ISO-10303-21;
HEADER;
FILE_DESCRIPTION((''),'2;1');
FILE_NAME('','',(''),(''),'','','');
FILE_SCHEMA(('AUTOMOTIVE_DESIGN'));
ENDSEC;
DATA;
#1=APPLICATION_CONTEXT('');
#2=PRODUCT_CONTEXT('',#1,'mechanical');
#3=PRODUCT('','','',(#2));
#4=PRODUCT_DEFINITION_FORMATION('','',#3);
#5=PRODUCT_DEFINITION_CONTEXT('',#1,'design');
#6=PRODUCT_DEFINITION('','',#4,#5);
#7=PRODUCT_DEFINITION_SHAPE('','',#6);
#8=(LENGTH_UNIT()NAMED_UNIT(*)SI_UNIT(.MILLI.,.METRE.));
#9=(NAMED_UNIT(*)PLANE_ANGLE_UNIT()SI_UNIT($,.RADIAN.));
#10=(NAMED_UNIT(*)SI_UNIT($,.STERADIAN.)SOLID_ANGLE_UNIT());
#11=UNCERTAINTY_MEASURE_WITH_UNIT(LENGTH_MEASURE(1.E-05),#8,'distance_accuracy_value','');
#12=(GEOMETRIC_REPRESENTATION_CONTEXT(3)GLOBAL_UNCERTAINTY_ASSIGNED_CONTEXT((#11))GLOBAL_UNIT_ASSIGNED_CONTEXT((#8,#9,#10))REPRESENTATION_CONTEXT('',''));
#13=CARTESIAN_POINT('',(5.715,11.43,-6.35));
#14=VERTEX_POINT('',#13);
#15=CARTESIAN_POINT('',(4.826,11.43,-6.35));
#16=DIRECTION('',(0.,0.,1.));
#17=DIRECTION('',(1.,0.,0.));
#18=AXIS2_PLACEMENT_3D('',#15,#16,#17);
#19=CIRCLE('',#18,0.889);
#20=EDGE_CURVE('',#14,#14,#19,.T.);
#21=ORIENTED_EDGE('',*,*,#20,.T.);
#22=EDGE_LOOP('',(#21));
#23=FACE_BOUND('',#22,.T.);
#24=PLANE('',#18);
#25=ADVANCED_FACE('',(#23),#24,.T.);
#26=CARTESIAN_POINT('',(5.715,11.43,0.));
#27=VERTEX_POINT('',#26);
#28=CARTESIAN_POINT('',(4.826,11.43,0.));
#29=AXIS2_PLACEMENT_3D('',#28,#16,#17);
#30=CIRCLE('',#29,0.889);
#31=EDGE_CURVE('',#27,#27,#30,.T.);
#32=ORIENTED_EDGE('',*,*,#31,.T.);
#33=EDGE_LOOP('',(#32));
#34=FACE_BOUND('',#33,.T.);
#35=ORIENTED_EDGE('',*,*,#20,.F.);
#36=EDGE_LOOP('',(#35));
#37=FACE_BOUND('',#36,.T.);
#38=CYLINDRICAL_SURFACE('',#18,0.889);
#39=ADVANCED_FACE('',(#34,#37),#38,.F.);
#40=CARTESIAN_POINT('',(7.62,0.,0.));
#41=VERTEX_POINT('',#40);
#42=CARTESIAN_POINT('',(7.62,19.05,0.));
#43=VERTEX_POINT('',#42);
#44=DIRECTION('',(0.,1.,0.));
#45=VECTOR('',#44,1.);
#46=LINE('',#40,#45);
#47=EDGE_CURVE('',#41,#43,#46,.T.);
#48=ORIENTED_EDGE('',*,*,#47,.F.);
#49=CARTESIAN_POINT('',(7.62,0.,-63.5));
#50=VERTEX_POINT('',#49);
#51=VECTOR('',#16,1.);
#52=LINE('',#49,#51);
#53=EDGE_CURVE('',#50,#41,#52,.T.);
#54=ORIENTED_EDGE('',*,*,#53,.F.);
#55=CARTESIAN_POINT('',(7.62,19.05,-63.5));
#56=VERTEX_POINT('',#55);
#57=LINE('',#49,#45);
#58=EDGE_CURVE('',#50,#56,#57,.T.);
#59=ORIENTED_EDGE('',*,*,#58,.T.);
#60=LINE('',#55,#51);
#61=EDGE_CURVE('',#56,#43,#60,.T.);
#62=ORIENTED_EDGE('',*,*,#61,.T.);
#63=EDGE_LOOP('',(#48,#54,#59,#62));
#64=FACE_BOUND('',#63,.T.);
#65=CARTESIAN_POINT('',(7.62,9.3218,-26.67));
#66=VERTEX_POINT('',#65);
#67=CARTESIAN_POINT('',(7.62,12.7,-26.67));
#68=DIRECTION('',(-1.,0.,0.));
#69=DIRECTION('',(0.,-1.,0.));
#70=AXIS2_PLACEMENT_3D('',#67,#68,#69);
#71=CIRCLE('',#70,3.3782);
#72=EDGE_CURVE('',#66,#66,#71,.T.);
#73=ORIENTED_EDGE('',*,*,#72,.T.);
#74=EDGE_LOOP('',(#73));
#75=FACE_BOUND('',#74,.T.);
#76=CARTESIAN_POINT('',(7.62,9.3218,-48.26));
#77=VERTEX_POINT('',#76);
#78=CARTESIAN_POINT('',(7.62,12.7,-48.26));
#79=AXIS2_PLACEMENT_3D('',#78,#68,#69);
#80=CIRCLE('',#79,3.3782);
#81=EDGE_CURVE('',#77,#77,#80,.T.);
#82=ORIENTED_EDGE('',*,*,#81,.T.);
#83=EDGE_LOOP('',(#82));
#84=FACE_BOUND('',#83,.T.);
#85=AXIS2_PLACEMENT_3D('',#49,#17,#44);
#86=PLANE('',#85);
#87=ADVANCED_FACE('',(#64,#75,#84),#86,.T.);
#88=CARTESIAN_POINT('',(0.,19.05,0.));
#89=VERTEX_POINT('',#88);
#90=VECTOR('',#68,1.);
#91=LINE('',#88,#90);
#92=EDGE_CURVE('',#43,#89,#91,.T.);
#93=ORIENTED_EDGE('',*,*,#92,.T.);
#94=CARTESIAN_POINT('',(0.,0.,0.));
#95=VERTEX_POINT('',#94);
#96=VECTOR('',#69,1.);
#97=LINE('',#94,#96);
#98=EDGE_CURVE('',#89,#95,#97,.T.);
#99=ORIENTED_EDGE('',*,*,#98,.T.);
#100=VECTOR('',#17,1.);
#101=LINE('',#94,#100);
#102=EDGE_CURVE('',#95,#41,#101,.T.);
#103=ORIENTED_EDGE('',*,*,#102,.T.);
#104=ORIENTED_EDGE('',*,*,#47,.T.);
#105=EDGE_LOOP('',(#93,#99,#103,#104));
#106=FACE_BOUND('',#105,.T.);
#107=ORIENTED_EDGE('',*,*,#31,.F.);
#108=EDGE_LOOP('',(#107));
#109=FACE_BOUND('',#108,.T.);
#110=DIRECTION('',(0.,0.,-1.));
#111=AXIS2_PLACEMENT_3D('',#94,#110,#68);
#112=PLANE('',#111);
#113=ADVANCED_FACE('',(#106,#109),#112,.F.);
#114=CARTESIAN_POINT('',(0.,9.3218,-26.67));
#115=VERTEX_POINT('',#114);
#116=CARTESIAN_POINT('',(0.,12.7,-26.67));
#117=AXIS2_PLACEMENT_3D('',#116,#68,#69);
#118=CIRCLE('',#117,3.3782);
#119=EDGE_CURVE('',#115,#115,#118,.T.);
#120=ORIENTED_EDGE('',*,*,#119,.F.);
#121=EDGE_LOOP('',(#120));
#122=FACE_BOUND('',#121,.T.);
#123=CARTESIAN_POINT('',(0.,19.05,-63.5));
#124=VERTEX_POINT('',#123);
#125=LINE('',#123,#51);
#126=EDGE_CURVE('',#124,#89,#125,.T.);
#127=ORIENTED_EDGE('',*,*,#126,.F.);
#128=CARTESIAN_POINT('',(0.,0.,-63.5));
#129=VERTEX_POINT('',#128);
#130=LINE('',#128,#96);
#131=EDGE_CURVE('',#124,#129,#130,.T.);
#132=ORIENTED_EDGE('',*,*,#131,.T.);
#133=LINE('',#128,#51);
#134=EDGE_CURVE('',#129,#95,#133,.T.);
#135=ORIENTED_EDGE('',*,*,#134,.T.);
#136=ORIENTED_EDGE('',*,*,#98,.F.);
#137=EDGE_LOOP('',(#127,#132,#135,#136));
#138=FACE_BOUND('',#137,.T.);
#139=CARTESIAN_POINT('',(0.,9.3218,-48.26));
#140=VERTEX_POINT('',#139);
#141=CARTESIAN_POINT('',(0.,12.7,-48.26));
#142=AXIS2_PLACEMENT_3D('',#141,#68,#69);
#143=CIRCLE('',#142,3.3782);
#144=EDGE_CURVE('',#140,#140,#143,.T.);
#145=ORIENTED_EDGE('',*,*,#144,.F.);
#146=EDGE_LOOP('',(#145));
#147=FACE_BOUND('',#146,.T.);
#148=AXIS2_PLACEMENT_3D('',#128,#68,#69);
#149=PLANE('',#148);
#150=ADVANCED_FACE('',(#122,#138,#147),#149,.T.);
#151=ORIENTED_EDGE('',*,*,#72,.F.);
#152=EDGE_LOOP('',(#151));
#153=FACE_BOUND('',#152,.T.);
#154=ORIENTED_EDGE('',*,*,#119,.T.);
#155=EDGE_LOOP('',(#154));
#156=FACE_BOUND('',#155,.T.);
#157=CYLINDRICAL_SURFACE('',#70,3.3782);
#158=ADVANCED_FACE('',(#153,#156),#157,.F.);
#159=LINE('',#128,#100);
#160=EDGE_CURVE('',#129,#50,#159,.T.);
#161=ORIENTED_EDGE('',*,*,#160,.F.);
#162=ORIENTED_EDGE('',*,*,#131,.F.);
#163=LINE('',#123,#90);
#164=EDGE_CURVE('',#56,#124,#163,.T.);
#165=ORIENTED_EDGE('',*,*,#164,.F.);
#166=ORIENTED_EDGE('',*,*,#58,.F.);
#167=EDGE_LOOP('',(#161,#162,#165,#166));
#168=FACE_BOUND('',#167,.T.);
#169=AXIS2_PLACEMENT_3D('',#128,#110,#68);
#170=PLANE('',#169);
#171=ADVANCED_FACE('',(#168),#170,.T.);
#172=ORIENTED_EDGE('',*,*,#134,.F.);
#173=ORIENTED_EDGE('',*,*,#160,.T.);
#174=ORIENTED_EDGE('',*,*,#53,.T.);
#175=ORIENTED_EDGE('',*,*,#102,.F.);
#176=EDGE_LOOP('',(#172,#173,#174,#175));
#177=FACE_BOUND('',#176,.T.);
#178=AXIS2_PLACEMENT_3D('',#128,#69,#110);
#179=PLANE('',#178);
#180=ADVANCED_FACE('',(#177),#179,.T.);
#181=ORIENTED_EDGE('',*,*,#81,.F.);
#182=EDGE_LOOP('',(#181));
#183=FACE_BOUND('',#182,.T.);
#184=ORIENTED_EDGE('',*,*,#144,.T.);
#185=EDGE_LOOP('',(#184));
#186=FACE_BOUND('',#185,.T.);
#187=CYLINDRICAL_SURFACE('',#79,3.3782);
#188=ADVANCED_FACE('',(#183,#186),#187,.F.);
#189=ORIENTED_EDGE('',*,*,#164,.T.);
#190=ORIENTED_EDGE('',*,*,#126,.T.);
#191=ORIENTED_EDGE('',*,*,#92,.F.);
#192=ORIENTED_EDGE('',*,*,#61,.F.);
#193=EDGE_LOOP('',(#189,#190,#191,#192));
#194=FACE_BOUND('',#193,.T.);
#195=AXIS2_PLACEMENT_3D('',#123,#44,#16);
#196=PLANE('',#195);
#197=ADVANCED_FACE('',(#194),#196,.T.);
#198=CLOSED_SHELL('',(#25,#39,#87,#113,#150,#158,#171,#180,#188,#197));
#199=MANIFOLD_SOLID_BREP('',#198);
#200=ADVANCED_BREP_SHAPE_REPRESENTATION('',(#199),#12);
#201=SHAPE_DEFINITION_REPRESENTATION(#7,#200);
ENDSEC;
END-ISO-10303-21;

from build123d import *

# Parameters (mm, degrees)
SKETCH1_W           = 7.62
SKETCH1_H           = 19.05
BOSS_EXTRUDE1_DEPTH = 63.5
SKETCH2_R           = 0.889
CUT_EXTRUDE1_DEPTH  = 6.35
SKETCH3_R           = 3.3782
CUT_EXTRUDE2_DEPTH  = 8.62
SKETCH4_R           = 3.3782
CUT_EXTRUDE3_DEPTH  = 8.62


with BuildPart() as part:
    # Sketch1 → Boss-Extrude1 (new body)
    with BuildSketch(Plane.XY):
        with Locations((3.81, 9.525)):
            Rectangle(SKETCH1_W, SKETCH1_H)
    extrude(amount=-BOSS_EXTRUDE1_DEPTH)

    # Sketch2 → Cut-Extrude1 (cut)
    with BuildSketch(Plane.XY):
        with Locations((4.826, 11.43)):
            Circle(SKETCH2_R)
    extrude(amount=-CUT_EXTRUDE1_DEPTH, mode=Mode.SUBTRACT)

    # Sketch3 → Cut-Extrude2 (cut, through all)
    with BuildSketch(Plane.ZY):
        with Locations((-48.26, 12.7)):
            Circle(SKETCH3_R)
    extrude(amount=-CUT_EXTRUDE2_DEPTH, mode=Mode.SUBTRACT)

    # Sketch4 → Cut-Extrude3 (cut, through all)
    with BuildSketch(Plane.ZY):
        with Locations((-26.67, 12.7)):
            Circle(SKETCH4_R)
    extrude(amount=-CUT_EXTRUDE3_DEPTH, mode=Mode.SUBTRACT)


solid = part.part
